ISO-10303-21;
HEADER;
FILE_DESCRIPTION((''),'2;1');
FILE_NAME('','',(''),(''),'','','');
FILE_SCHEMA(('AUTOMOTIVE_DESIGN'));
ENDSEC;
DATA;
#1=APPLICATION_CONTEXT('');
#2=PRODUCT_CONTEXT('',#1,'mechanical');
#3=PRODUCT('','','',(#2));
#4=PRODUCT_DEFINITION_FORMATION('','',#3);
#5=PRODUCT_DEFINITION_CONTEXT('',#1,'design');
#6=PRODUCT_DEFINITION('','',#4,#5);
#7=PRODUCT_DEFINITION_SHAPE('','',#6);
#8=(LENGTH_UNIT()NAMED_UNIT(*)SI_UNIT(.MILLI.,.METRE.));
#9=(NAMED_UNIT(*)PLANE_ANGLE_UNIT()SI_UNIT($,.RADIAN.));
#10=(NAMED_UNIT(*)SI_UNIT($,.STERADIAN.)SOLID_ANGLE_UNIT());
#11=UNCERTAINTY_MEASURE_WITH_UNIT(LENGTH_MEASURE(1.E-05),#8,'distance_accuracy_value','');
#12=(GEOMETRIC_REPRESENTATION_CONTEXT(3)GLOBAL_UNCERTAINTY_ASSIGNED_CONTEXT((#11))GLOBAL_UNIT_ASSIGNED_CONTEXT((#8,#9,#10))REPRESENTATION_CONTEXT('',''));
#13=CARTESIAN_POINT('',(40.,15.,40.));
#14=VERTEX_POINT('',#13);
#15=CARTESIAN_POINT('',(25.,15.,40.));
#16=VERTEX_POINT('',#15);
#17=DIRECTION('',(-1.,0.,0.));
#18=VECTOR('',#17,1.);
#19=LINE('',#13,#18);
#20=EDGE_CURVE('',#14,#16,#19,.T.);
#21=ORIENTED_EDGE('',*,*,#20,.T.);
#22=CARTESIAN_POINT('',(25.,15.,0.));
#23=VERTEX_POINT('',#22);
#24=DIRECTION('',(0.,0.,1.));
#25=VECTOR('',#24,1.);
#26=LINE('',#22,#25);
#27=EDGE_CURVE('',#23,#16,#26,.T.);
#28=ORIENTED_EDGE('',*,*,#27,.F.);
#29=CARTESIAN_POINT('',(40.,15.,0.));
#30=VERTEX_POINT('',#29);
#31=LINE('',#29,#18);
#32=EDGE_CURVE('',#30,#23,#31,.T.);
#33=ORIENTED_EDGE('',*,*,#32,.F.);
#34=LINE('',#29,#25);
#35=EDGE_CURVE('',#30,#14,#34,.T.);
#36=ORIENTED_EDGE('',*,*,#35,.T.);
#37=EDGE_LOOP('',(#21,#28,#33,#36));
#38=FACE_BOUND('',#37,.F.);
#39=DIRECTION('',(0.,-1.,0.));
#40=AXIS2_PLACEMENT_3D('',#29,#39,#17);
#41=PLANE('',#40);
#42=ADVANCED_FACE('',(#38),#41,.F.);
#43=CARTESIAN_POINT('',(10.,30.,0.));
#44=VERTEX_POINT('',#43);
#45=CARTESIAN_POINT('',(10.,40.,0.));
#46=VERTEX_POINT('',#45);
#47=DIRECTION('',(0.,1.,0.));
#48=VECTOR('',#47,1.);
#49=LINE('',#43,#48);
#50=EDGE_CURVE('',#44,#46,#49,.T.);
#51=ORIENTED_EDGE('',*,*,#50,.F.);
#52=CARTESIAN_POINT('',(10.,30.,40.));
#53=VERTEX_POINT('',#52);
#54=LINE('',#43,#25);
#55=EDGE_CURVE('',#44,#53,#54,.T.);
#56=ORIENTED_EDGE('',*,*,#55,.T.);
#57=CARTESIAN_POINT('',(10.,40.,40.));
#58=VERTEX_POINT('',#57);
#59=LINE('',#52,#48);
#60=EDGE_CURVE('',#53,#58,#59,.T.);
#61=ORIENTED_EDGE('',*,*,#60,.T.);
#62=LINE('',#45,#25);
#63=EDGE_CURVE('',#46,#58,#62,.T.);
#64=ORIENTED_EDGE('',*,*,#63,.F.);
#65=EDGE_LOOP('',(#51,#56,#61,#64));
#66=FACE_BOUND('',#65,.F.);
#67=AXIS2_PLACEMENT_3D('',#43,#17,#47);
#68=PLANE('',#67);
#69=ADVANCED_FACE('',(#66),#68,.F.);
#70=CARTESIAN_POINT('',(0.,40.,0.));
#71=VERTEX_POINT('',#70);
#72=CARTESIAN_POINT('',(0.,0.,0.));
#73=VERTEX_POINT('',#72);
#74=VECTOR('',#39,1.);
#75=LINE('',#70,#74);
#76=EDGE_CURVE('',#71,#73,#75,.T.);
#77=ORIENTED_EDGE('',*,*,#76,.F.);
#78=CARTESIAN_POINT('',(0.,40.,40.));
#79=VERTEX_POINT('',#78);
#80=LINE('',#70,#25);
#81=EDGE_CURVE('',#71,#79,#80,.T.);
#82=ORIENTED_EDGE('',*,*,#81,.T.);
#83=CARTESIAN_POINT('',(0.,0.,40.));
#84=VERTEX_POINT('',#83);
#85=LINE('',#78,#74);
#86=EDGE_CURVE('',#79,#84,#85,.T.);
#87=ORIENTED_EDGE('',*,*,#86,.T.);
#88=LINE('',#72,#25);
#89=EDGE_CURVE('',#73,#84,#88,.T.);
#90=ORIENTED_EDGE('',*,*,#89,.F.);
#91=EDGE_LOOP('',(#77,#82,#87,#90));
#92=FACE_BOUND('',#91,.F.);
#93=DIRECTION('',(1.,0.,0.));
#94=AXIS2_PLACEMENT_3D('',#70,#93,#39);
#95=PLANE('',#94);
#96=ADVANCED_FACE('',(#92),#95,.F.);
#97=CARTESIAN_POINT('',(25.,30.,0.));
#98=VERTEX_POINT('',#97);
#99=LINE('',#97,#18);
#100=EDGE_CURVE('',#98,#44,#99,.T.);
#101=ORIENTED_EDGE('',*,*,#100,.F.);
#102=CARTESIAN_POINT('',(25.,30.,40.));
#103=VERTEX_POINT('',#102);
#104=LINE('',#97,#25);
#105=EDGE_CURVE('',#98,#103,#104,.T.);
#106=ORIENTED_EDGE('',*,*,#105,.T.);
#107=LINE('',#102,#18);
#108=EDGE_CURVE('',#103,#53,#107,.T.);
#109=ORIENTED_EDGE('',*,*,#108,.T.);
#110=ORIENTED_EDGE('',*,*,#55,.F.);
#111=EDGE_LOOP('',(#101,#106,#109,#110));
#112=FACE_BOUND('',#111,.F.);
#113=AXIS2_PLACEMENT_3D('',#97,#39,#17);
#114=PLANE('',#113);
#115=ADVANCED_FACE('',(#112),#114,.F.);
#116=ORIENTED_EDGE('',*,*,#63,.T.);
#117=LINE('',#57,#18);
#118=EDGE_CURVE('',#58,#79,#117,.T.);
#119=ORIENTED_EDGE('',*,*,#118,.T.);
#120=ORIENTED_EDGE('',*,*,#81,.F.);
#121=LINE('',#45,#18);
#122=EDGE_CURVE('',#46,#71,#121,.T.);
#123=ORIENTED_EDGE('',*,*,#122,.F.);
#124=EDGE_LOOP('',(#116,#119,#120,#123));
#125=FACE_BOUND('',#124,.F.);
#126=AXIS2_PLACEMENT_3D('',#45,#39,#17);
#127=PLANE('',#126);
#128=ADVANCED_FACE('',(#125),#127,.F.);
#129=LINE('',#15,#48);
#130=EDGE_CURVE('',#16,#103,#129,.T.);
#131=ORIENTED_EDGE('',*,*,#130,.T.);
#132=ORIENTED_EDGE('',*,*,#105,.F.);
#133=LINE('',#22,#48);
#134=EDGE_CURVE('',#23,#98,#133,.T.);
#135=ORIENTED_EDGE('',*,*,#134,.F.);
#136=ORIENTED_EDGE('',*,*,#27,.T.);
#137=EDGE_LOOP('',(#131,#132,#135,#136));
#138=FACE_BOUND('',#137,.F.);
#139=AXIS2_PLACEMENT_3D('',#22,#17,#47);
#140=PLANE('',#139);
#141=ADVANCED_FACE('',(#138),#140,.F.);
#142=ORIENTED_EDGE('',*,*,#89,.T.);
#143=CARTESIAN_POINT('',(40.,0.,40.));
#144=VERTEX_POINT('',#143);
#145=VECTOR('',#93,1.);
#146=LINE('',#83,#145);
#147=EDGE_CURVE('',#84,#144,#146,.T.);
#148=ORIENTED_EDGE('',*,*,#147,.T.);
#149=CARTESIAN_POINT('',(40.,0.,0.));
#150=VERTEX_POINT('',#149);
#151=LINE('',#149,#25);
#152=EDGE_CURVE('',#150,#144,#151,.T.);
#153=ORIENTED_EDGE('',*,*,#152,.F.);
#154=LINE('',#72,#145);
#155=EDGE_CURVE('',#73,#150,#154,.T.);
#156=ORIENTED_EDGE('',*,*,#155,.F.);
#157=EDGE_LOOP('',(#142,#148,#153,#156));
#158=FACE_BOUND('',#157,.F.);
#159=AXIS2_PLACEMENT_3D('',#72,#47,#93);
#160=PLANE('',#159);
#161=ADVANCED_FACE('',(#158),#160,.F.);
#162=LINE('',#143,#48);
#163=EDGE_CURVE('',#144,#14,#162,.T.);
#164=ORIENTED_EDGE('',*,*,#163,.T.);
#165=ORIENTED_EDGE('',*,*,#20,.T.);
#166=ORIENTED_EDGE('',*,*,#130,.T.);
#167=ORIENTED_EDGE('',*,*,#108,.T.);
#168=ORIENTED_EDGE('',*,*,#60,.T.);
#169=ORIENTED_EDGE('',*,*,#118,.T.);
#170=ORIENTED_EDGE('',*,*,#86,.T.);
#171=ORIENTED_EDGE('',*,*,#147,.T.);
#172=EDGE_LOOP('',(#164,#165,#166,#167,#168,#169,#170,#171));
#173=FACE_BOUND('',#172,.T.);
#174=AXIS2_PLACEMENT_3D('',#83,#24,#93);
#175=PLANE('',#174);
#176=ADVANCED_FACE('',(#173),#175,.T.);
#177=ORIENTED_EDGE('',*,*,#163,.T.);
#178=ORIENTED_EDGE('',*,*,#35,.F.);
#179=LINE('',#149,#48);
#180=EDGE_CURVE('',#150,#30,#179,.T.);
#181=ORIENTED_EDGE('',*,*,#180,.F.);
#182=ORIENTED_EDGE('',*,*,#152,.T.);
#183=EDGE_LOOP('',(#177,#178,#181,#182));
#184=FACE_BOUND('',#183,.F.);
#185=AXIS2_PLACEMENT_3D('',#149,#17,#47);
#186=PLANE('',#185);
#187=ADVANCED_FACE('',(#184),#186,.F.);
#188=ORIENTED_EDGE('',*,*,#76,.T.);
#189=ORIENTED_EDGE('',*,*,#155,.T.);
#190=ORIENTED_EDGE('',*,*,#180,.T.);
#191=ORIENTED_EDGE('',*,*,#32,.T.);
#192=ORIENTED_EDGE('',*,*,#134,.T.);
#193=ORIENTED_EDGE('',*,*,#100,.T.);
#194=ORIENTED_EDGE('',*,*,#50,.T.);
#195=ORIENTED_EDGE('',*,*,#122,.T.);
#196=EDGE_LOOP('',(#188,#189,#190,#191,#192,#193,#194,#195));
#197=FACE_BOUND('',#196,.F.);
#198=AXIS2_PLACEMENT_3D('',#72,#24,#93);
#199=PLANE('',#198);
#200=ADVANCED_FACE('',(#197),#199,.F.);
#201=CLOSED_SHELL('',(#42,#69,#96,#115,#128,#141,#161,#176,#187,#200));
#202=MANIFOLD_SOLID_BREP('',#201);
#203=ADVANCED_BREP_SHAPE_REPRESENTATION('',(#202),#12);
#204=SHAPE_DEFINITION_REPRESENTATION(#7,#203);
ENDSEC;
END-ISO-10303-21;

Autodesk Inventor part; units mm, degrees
ref_plane "YZ Plane" through (0, 0, 0) normal (1, 0, 0) x (0, 1, 0)
ref_plane "XZ Plane" through (0, 0, 0) normal (0, 1, 0) x (-1, 0, 0)
ref_plane "XY Plane" through (0, 0, 0) normal (0, 0, 1) x (1, 0, 0)
sketch "Sketch1" plane through (0, 0, 0) normal (0, 0, 1) x (1, 0, 0)
  line L0 (0, 0) -> (40, 0)
  line L1 (40, 0) -> (40, 15)
  line L2 (40, 15) -> (25, 15)
  line L3 (25, 15) -> (25, 30)
  line L4 (25, 30) -> (10, 30)
  line L5 (10, 30) -> (10, 40)
  line L6 (10, 40) -> (0, 40)
  line L7 (0, 40) -> (0, 0)
  dimension "d0" = 40
  dimension "d1" = 15
extrude "Extrusion1" add sketch "Sketch1" along normal blind 40
properties part number "P3-1"
